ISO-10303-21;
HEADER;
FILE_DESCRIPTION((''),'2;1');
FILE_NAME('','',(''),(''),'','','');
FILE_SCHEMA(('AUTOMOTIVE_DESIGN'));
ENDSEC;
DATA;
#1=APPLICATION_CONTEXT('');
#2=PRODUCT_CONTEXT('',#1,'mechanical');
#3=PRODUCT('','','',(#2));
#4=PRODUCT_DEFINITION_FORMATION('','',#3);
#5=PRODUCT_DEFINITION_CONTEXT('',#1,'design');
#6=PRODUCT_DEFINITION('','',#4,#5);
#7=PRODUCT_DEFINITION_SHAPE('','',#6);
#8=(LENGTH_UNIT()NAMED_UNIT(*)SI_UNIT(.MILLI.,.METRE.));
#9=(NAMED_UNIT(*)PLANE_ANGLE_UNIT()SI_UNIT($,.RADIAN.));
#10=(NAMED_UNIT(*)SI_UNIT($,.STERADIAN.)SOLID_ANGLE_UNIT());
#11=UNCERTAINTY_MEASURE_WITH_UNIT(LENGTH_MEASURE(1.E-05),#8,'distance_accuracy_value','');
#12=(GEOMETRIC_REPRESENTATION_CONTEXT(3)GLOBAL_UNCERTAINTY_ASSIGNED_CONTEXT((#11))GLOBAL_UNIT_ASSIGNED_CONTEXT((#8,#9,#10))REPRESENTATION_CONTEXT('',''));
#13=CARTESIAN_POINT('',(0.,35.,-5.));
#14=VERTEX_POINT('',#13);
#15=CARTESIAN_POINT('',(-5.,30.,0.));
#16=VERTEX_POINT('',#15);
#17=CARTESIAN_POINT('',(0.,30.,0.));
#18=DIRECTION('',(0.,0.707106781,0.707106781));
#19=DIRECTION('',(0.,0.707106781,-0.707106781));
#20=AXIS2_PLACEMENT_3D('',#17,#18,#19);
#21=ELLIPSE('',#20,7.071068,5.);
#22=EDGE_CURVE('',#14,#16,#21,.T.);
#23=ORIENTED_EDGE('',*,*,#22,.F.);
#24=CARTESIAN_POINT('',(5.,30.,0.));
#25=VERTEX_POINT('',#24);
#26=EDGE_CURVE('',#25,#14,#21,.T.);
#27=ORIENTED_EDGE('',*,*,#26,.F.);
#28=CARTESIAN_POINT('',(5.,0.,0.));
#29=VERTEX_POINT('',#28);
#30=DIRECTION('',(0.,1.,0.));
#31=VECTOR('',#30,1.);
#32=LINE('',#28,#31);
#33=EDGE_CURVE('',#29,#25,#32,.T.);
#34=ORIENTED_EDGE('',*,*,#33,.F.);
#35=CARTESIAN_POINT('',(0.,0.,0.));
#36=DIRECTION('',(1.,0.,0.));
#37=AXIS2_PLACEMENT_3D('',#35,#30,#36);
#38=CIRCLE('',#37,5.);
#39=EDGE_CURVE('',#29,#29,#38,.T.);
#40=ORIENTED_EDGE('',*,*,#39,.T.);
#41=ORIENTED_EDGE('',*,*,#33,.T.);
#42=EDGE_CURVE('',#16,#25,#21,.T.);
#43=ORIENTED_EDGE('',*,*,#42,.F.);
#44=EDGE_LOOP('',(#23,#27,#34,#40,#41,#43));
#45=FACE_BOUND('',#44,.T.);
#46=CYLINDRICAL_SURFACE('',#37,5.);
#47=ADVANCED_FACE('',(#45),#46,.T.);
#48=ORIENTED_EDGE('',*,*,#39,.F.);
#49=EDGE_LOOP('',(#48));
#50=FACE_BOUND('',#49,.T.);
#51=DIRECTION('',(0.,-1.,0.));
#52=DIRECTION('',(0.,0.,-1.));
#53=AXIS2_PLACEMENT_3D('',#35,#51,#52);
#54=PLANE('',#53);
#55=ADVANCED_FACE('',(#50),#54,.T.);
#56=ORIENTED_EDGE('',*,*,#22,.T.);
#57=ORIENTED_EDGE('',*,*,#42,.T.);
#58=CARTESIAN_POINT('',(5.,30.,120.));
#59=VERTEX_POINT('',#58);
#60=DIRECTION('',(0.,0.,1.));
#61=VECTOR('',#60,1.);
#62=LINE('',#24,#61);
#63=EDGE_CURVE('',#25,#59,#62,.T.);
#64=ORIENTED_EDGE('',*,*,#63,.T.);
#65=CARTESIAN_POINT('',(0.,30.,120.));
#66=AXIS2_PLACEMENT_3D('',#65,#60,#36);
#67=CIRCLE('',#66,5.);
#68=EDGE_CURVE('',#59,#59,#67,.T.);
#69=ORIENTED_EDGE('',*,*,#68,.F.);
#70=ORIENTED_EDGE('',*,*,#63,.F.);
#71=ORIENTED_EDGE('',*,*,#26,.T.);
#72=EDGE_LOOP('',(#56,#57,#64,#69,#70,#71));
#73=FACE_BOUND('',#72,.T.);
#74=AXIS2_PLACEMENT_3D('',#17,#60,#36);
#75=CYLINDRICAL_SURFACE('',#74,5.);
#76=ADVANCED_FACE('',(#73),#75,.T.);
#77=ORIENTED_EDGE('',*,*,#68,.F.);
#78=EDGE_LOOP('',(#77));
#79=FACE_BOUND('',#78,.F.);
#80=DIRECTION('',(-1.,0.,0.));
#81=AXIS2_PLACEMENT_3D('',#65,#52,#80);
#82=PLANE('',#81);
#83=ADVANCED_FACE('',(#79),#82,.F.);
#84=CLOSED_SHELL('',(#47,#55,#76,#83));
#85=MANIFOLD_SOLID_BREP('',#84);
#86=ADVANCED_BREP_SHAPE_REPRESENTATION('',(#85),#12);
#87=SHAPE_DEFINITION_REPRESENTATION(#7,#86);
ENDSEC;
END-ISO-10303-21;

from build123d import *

# Parameters (mm, degrees)
F1_R = 5


with BuildPart() as f2:
    # F2: sweep along a path in F0
    with BuildLine(Plane.YZ) as f2_path:
        Line((0, 0), (30, 0))
        Line((30, 0), (30, 120))
    # F1 (on Front) → F2 (sweep)
    with BuildSketch(Plane.XZ):
        Circle(F1_R)
    sweep(path=f2_path.line, transition=Transition.RIGHT)


solid = f2.part
